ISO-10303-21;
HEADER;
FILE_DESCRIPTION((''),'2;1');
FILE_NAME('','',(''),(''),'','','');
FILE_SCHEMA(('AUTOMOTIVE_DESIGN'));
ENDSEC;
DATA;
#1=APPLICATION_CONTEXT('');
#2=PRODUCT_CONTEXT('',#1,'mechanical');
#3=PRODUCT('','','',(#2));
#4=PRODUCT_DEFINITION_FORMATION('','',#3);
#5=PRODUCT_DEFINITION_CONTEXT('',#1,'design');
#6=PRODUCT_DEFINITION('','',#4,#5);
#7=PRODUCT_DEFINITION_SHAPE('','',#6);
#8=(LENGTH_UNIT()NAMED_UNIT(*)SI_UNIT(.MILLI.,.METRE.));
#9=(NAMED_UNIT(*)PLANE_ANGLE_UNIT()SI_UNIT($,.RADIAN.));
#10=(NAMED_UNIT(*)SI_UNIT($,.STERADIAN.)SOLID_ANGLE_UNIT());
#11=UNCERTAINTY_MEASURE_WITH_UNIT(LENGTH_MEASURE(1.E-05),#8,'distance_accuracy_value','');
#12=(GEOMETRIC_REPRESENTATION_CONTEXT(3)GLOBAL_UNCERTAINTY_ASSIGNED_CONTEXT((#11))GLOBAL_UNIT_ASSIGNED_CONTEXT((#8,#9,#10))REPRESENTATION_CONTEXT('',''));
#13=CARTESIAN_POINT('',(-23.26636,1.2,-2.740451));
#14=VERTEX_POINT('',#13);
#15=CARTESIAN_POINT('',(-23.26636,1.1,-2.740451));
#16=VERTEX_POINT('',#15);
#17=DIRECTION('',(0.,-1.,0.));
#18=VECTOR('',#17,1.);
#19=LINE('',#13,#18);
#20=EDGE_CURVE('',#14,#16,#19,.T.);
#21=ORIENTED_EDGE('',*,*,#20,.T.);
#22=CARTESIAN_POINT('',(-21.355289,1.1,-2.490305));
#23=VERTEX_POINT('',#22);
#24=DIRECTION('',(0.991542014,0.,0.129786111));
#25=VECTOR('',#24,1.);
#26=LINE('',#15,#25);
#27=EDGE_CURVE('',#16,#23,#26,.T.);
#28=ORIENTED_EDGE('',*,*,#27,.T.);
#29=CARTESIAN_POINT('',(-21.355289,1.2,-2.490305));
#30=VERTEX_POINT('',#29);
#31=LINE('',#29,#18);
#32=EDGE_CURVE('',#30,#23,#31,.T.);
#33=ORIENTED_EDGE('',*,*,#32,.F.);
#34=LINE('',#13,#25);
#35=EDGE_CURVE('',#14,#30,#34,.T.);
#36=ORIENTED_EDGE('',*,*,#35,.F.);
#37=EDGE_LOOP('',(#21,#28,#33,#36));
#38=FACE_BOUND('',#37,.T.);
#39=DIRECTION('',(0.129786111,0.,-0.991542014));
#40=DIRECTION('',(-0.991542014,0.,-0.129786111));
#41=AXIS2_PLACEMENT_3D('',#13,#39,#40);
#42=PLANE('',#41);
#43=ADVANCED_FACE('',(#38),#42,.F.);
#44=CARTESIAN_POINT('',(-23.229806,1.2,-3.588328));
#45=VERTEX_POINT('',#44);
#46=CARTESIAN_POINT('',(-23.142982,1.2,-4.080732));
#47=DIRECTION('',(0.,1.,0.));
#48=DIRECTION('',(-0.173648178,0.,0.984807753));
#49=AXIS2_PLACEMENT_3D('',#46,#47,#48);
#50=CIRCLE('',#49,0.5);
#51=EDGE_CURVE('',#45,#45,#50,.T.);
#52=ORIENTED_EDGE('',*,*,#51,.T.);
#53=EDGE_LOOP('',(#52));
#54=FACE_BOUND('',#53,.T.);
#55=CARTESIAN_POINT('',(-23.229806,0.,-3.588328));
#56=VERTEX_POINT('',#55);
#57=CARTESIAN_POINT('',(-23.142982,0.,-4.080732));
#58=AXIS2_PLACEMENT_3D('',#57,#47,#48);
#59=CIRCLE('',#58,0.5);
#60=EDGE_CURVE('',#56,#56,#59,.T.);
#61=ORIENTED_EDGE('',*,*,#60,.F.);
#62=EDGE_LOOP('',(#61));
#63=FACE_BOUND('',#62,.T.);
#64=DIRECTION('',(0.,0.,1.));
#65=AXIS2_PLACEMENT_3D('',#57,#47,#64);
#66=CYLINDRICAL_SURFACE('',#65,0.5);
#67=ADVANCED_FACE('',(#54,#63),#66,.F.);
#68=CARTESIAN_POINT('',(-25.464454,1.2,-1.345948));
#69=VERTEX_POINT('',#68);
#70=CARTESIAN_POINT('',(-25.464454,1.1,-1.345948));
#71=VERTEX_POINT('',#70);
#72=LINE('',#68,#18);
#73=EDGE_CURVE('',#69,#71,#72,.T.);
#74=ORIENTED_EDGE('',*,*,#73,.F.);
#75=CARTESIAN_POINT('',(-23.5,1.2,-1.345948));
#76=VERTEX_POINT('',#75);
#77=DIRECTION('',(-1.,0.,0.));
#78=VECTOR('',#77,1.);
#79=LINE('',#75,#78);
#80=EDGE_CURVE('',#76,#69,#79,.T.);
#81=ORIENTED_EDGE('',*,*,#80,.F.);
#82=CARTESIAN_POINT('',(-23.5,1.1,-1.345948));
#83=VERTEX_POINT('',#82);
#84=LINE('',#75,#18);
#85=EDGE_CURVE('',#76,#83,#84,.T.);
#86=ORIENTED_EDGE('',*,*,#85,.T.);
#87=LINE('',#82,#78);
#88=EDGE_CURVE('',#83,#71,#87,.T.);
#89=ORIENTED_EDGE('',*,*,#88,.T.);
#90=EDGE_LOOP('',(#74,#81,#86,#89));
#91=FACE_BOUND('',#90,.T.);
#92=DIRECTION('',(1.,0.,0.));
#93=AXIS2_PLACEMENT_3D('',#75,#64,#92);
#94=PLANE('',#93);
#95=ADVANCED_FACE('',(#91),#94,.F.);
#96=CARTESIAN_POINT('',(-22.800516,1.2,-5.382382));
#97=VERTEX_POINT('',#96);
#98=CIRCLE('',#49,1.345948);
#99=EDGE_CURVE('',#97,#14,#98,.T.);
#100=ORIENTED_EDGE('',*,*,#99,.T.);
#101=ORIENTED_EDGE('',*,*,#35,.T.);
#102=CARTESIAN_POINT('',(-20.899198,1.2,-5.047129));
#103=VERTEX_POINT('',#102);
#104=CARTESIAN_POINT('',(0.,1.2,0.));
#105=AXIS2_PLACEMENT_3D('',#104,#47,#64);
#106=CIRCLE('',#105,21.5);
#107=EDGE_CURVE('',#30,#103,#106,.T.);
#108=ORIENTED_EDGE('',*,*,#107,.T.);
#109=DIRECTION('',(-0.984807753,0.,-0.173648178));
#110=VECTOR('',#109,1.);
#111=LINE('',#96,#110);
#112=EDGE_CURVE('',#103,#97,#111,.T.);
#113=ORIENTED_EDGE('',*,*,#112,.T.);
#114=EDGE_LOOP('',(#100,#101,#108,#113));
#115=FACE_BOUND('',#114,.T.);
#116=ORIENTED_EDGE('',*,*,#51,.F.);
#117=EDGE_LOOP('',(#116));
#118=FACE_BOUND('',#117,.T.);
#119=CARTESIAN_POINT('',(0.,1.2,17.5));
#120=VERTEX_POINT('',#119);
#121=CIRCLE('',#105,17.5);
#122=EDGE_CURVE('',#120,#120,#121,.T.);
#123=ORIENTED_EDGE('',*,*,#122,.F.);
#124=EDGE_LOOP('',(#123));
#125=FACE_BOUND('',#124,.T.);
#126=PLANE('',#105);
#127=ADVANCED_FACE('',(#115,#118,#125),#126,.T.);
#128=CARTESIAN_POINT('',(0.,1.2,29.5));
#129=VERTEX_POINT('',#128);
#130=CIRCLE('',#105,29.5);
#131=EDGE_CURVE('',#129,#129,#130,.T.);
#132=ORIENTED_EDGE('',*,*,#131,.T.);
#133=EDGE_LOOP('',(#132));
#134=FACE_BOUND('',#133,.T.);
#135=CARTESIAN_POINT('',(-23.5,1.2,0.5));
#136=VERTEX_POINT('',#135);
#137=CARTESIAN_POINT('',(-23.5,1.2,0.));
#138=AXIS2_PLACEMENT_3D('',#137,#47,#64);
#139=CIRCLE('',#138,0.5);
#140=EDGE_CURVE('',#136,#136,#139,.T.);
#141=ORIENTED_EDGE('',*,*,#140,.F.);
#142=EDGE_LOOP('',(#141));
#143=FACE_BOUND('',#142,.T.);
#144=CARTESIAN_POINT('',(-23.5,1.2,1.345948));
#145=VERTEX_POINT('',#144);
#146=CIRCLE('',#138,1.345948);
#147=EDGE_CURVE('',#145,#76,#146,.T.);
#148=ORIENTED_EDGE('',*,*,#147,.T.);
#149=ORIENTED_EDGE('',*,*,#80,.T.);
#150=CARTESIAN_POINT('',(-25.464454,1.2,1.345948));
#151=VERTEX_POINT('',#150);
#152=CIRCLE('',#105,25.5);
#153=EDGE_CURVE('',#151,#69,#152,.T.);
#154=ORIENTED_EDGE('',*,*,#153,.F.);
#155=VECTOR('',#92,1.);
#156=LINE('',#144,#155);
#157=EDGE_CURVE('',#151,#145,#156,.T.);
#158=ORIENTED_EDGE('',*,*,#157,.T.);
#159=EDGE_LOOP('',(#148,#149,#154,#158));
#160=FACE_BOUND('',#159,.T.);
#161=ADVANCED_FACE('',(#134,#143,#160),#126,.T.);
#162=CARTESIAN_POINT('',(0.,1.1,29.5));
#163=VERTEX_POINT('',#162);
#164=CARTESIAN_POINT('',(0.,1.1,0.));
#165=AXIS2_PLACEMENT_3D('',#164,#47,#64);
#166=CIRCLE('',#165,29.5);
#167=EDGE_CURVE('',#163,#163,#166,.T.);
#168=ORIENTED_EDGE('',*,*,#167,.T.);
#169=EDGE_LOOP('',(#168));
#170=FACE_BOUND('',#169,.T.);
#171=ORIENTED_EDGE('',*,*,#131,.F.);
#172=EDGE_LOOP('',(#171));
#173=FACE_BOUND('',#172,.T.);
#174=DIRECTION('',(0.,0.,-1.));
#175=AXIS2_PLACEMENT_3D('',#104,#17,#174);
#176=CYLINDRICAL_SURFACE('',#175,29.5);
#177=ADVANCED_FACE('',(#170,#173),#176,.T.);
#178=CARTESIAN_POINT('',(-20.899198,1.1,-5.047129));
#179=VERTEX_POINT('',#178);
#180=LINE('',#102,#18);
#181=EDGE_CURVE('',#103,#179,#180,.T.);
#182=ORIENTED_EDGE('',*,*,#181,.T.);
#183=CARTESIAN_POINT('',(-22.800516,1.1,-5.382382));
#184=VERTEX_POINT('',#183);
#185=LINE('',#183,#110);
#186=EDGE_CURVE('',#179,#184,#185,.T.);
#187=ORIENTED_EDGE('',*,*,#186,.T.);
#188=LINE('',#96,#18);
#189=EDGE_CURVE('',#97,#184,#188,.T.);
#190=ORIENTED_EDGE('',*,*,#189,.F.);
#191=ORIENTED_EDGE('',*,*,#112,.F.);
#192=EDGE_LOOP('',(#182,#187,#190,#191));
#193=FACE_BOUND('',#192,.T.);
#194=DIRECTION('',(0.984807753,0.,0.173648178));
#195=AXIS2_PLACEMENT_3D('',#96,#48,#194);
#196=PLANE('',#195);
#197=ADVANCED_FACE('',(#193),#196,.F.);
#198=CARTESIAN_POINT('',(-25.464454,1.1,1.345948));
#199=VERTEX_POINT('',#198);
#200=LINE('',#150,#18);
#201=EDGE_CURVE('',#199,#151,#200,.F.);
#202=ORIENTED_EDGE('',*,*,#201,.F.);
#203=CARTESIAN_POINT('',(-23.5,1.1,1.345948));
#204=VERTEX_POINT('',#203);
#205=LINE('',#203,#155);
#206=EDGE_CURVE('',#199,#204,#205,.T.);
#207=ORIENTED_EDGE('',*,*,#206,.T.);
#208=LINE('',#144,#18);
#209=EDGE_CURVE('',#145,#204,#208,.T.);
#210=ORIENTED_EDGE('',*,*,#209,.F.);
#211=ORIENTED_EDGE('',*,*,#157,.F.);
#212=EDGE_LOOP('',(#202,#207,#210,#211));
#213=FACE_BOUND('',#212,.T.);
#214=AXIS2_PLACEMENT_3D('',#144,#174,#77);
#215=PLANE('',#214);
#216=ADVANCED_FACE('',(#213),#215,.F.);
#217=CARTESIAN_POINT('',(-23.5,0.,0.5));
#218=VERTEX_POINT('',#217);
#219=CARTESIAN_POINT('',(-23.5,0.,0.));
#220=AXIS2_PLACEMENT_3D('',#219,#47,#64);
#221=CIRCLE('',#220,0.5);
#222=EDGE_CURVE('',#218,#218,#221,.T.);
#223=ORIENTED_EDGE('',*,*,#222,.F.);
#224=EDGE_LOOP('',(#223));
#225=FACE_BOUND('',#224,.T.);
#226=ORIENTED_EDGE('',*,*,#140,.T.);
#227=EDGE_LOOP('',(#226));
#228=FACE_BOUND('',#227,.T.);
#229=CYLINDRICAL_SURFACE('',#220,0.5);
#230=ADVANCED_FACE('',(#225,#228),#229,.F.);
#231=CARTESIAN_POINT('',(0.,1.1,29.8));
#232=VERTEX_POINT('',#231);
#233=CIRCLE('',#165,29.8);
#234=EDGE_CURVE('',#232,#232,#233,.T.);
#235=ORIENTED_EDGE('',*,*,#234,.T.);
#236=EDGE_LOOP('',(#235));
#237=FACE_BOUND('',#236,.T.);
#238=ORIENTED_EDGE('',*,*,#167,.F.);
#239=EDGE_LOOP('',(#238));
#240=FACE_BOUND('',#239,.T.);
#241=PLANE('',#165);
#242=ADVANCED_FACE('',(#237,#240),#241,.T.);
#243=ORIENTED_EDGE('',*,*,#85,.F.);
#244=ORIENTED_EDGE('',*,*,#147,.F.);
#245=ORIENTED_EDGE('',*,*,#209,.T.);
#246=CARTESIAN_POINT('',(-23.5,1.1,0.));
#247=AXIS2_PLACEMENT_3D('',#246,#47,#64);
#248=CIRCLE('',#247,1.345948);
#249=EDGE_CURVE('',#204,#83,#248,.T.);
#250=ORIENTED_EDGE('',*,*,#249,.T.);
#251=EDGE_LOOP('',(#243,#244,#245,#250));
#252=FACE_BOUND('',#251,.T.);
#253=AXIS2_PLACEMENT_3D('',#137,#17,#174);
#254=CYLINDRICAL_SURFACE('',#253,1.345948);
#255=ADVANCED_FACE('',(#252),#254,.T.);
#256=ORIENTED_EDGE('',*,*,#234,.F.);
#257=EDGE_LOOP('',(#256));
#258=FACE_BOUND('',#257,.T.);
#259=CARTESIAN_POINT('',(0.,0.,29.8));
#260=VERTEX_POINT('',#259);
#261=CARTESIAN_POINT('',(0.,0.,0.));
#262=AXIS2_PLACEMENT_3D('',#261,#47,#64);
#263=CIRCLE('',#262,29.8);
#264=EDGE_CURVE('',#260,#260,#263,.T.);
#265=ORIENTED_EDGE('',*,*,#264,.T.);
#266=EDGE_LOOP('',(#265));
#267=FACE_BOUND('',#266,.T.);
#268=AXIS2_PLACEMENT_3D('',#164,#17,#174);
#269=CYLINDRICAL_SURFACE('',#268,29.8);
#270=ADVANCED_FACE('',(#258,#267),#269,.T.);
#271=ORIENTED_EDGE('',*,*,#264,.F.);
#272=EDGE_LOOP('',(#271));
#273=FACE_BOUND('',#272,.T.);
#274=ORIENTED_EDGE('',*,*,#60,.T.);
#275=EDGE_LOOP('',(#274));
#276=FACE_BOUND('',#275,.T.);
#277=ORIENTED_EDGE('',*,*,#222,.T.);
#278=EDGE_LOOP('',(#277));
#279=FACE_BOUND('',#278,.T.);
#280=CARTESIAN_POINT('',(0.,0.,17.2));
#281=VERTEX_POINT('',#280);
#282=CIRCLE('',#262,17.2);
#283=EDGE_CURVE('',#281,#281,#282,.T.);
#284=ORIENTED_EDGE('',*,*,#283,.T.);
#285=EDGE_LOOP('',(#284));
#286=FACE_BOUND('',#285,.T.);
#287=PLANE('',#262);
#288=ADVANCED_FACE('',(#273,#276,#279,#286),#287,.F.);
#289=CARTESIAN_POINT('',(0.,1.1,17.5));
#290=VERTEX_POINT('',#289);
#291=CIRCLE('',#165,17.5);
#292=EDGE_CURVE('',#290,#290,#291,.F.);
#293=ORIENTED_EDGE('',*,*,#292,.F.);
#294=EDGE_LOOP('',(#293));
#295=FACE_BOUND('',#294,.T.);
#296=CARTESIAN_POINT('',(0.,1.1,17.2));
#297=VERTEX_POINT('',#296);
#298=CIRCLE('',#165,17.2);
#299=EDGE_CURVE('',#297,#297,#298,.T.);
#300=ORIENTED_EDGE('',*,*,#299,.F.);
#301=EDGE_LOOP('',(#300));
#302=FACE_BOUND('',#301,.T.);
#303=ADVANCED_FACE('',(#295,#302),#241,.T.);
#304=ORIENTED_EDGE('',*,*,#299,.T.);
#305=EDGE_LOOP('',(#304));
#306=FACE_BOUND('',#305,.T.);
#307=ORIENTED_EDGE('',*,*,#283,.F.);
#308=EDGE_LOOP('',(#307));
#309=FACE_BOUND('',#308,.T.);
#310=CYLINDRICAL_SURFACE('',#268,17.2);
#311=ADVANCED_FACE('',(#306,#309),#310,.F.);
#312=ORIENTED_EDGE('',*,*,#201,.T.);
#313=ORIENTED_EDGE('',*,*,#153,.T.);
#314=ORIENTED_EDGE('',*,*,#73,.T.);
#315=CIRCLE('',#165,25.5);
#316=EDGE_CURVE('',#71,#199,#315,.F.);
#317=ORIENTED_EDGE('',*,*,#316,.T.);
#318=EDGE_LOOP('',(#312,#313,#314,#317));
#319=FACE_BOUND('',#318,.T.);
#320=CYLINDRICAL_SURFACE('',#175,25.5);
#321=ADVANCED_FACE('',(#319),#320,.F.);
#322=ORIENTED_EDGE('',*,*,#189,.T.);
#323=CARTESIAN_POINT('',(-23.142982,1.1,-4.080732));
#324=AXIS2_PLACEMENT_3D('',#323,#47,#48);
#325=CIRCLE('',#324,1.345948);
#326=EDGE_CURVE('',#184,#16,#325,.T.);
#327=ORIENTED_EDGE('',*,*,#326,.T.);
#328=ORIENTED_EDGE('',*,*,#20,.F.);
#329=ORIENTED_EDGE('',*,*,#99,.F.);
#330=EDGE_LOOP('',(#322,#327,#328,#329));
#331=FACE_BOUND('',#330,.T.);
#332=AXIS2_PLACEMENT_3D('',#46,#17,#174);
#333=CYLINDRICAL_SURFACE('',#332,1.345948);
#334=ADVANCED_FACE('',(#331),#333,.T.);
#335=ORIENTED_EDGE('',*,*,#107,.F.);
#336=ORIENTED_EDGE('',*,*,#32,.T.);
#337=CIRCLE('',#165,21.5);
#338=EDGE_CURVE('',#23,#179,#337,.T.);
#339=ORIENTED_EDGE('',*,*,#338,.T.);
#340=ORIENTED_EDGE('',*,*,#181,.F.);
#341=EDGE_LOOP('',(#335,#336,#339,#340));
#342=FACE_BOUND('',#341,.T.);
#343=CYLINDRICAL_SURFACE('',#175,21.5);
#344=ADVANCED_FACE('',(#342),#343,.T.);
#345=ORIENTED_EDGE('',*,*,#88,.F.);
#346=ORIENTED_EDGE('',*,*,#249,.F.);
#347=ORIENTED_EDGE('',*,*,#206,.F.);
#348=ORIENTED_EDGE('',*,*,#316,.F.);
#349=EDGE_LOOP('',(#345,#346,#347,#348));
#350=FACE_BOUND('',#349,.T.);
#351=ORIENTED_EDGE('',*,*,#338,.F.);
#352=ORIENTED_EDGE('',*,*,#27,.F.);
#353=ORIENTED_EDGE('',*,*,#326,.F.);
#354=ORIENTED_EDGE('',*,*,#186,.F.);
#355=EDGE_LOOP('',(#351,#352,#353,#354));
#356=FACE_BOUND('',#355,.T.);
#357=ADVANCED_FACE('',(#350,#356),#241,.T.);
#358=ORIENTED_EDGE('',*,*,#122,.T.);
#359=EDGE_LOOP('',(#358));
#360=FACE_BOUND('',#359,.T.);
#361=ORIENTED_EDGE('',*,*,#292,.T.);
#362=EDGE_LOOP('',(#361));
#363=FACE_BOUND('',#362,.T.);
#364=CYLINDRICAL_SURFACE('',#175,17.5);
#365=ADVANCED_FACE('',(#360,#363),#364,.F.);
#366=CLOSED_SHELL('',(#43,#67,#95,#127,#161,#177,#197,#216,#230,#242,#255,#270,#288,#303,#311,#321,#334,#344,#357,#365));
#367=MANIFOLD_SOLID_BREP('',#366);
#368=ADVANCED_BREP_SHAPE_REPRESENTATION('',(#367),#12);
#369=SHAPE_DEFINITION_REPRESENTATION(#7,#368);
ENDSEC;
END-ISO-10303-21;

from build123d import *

# Parameters (mm, degrees)
SKETCH_1_R               = 29.8
SKETCH_1_R_2             = 17.2
EXTRUDE_1_DEPTH          = 1.1
SKETCH_2_R               = 29.5
SKETCH_2_R_2             = 25.5
SKETCH_2_R_3             = 21.5
SKETCH_2_R_4             = 17.5
EXTRUDE_2_DEPTH          = 0.1
SKETCH_4_R               = 0.5
CUT_EXTRUDE_1_DEPTH      = 43.157917406
EXTRUDE_START            = 0.1
SKETCH_5_R               = 1.345948063
SKETCH_5_R_2             = 0.5
EXTRUDE_3_DEPTH          = 0.1
PATTERN_CIRCULAR_1_COUNT = 2
PATTERN_CIRCULAR_1_ANGLE = 10
EXTRUDE_4_DEPTH          = 0.1


with BuildPart() as part:
    # Эскиз1 → Бобышка-Вытянуть1 (new body)
    with BuildSketch(Plane(origin=(0, 0, 0), x_dir=(1, 0, 0), z_dir=(0, 1, 0))):
        with Locations(Location((0, 0, 0), (0, 0, 270))):
            Circle(SKETCH_1_R)
        with Locations(Location((0, 0, 0), (0, 0, 270))):
            Circle(SKETCH_1_R_2, mode=Mode.SUBTRACT)
    extrude(amount=EXTRUDE_1_DEPTH)

    # Эскиз2 → Бобышка-Вытянуть2 (add)
    # profile 1 of 2: a face of its own
    with BuildSketch(Plane(origin=(0, 1.1, 0), x_dir=(1, 0, 0), z_dir=(0, 1, 0))):
        with Locations(Location((0, 0, 0), (0, 0, 270))):
            Circle(SKETCH_2_R)
        with Locations(Location((0, 0, 0), (0, 0, 270))):
            Circle(SKETCH_2_R_2, mode=Mode.SUBTRACT)
    # profile 2 of 2: a face of its own
    with BuildSketch(Plane(origin=(0, 1.1, 0), x_dir=(1, 0, 0), z_dir=(0, 1, 0))):
        with Locations(Location((0, 0, 0), (0, 0, 270))):
            Circle(SKETCH_2_R_3)
        with Locations(Location((0, 0, 0), (0, 0, 270))):
            Circle(SKETCH_2_R_4, mode=Mode.SUBTRACT)
    extrude(amount=EXTRUDE_2_DEPTH)

    # Эскиз4 → Вырез-Вытянуть1 (cut, through all)
    with BuildSketch(Plane(origin=(0, 1.1, 0), x_dir=(1, 0, 0), z_dir=(0, 1, 0))):
        with Locations(Location((-23.5, 0, 0), (0, 0, 270))):
            Circle(SKETCH_4_R)
    cut_extrude_1 = extrude(amount=-CUT_EXTRUDE_1_DEPTH, mode=Mode.SUBTRACT)

    # Эскиз5 → Бобышка-Вытянуть3 (add)
    with BuildSketch(Plane(origin=(0, 1.1, 0), x_dir=(1, 0, 0), z_dir=(0, 1, 0)).offset(EXTRUDE_START)):
        with Locations(Location((-23.5, 0, 0), (0, 0, 270))):
            Circle(SKETCH_5_R)
        with Locations(Location((-23.5, 0, 0), (0, 0, 270))):
            Circle(SKETCH_5_R_2, mode=Mode.SUBTRACT)
    extrude_3 = extrude(amount=-EXTRUDE_3_DEPTH)

    # Круговой массив1: Вырез-Вытянуть1, Бобышка-Вытянуть3 ×2 about axis
    pattern_circular_1_axis = Axis((0, 1.1, 0), (0, -1, 0))
    add([cut_extrude_1.rotate(pattern_circular_1_axis, i * PATTERN_CIRCULAR_1_ANGLE / (PATTERN_CIRCULAR_1_COUNT - 1)) for i in range(1, PATTERN_CIRCULAR_1_COUNT)], mode=Mode.SUBTRACT)
    add([extrude_3.rotate(pattern_circular_1_axis, i * PATTERN_CIRCULAR_1_ANGLE / (PATTERN_CIRCULAR_1_COUNT - 1)) for i in range(1, PATTERN_CIRCULAR_1_COUNT)])

    # Эскиз6 → Бобышка-Вытянуть4 (add)
    with BuildSketch(Plane(origin=(0, 1.1, 0), x_dir=(1, 0, 0), z_dir=(0, 1, 0))):
        with BuildLine():
            Line((-22.800516228, 5.382382378), (-20.899198346, 5.047128736))
            ThreePointArc((-20.899198346, 5.047128736), (-21.165886934, 3.775609923), (-21.355289338, 2.490304658))
            Line((-21.355289338, 2.490304658), (-23.266360042, 2.740450826))
            ThreePointArc((-23.266360042, 2.740450826), (-21.817482108, 3.847010747), (-22.800516228, 5.382382378))
        make_face()
        Polygon((-23.5, -1.345948063), (-27.456522895, -1.345948063), (-27.456522895, 1.345948063), (-23.5, 1.345948063), (-24.412849666, 0), align=None)
    extrude(amount=EXTRUDE_4_DEPTH)


solid = part.part
